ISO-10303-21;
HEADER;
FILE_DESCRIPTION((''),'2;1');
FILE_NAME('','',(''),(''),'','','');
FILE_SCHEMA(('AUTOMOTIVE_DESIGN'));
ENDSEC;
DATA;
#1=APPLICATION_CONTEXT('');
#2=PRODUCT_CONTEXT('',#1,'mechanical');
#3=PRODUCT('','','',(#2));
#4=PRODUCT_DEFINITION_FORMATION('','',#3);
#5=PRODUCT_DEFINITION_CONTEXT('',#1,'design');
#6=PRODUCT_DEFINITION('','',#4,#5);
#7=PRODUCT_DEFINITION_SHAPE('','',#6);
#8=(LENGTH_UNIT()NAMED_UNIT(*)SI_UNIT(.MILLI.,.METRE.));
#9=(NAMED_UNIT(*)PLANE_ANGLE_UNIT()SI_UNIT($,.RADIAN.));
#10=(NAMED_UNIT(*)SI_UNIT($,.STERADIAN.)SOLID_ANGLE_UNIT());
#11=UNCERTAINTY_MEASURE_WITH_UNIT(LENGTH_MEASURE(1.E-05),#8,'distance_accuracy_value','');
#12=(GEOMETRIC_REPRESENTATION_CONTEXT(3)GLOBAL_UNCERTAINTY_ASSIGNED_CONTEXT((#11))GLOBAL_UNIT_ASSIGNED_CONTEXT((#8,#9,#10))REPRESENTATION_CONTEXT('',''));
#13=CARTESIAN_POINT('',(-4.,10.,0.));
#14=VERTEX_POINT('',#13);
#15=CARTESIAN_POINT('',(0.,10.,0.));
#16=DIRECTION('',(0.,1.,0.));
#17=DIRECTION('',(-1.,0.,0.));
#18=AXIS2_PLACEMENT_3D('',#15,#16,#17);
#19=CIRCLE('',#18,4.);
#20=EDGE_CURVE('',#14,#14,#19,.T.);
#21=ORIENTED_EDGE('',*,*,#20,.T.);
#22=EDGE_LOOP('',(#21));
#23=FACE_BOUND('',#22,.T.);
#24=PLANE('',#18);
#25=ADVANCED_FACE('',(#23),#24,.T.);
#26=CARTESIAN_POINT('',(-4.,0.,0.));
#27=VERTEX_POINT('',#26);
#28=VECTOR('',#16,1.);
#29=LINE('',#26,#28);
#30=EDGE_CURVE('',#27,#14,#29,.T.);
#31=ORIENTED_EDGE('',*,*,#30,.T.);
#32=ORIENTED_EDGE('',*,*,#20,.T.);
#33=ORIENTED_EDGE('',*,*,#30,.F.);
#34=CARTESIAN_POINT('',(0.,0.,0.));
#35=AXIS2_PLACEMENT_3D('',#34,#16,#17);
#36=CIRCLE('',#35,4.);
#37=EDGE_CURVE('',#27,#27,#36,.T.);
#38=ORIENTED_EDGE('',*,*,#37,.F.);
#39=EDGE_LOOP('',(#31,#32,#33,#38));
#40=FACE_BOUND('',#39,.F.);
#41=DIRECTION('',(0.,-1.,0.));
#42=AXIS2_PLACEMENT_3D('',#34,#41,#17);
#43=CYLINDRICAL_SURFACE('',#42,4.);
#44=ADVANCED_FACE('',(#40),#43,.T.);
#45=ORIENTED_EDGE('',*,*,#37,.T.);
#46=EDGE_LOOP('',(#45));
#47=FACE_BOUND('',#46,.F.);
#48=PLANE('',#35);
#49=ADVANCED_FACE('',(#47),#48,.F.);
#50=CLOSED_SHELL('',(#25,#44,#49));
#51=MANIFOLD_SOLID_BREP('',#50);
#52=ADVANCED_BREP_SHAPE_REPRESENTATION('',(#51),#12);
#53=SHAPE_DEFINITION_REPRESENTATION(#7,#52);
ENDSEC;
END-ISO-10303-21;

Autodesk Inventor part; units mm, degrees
ref_plane "YZ Plane" through (0, 0, 0) normal (1, 0, 0) x (0, 1, 0)
ref_plane "XZ Plane" through (0, 0, 0) normal (0, 1, 0) x (-1, 0, 0)
ref_plane "XY Plane" through (0, 0, 0) normal (0, 0, 1) x (1, 0, 0)
sketch "Sketch1" plane through (0, 0, 0) normal (0, 1, 0) x (-1, 0, 0)
  circle A0 centre (0, 0) radius 4
  dimension "d0" = 8
extrude "Extrusion1" add sketch "Sketch1" along normal blind 10
properties part number "Perno"
